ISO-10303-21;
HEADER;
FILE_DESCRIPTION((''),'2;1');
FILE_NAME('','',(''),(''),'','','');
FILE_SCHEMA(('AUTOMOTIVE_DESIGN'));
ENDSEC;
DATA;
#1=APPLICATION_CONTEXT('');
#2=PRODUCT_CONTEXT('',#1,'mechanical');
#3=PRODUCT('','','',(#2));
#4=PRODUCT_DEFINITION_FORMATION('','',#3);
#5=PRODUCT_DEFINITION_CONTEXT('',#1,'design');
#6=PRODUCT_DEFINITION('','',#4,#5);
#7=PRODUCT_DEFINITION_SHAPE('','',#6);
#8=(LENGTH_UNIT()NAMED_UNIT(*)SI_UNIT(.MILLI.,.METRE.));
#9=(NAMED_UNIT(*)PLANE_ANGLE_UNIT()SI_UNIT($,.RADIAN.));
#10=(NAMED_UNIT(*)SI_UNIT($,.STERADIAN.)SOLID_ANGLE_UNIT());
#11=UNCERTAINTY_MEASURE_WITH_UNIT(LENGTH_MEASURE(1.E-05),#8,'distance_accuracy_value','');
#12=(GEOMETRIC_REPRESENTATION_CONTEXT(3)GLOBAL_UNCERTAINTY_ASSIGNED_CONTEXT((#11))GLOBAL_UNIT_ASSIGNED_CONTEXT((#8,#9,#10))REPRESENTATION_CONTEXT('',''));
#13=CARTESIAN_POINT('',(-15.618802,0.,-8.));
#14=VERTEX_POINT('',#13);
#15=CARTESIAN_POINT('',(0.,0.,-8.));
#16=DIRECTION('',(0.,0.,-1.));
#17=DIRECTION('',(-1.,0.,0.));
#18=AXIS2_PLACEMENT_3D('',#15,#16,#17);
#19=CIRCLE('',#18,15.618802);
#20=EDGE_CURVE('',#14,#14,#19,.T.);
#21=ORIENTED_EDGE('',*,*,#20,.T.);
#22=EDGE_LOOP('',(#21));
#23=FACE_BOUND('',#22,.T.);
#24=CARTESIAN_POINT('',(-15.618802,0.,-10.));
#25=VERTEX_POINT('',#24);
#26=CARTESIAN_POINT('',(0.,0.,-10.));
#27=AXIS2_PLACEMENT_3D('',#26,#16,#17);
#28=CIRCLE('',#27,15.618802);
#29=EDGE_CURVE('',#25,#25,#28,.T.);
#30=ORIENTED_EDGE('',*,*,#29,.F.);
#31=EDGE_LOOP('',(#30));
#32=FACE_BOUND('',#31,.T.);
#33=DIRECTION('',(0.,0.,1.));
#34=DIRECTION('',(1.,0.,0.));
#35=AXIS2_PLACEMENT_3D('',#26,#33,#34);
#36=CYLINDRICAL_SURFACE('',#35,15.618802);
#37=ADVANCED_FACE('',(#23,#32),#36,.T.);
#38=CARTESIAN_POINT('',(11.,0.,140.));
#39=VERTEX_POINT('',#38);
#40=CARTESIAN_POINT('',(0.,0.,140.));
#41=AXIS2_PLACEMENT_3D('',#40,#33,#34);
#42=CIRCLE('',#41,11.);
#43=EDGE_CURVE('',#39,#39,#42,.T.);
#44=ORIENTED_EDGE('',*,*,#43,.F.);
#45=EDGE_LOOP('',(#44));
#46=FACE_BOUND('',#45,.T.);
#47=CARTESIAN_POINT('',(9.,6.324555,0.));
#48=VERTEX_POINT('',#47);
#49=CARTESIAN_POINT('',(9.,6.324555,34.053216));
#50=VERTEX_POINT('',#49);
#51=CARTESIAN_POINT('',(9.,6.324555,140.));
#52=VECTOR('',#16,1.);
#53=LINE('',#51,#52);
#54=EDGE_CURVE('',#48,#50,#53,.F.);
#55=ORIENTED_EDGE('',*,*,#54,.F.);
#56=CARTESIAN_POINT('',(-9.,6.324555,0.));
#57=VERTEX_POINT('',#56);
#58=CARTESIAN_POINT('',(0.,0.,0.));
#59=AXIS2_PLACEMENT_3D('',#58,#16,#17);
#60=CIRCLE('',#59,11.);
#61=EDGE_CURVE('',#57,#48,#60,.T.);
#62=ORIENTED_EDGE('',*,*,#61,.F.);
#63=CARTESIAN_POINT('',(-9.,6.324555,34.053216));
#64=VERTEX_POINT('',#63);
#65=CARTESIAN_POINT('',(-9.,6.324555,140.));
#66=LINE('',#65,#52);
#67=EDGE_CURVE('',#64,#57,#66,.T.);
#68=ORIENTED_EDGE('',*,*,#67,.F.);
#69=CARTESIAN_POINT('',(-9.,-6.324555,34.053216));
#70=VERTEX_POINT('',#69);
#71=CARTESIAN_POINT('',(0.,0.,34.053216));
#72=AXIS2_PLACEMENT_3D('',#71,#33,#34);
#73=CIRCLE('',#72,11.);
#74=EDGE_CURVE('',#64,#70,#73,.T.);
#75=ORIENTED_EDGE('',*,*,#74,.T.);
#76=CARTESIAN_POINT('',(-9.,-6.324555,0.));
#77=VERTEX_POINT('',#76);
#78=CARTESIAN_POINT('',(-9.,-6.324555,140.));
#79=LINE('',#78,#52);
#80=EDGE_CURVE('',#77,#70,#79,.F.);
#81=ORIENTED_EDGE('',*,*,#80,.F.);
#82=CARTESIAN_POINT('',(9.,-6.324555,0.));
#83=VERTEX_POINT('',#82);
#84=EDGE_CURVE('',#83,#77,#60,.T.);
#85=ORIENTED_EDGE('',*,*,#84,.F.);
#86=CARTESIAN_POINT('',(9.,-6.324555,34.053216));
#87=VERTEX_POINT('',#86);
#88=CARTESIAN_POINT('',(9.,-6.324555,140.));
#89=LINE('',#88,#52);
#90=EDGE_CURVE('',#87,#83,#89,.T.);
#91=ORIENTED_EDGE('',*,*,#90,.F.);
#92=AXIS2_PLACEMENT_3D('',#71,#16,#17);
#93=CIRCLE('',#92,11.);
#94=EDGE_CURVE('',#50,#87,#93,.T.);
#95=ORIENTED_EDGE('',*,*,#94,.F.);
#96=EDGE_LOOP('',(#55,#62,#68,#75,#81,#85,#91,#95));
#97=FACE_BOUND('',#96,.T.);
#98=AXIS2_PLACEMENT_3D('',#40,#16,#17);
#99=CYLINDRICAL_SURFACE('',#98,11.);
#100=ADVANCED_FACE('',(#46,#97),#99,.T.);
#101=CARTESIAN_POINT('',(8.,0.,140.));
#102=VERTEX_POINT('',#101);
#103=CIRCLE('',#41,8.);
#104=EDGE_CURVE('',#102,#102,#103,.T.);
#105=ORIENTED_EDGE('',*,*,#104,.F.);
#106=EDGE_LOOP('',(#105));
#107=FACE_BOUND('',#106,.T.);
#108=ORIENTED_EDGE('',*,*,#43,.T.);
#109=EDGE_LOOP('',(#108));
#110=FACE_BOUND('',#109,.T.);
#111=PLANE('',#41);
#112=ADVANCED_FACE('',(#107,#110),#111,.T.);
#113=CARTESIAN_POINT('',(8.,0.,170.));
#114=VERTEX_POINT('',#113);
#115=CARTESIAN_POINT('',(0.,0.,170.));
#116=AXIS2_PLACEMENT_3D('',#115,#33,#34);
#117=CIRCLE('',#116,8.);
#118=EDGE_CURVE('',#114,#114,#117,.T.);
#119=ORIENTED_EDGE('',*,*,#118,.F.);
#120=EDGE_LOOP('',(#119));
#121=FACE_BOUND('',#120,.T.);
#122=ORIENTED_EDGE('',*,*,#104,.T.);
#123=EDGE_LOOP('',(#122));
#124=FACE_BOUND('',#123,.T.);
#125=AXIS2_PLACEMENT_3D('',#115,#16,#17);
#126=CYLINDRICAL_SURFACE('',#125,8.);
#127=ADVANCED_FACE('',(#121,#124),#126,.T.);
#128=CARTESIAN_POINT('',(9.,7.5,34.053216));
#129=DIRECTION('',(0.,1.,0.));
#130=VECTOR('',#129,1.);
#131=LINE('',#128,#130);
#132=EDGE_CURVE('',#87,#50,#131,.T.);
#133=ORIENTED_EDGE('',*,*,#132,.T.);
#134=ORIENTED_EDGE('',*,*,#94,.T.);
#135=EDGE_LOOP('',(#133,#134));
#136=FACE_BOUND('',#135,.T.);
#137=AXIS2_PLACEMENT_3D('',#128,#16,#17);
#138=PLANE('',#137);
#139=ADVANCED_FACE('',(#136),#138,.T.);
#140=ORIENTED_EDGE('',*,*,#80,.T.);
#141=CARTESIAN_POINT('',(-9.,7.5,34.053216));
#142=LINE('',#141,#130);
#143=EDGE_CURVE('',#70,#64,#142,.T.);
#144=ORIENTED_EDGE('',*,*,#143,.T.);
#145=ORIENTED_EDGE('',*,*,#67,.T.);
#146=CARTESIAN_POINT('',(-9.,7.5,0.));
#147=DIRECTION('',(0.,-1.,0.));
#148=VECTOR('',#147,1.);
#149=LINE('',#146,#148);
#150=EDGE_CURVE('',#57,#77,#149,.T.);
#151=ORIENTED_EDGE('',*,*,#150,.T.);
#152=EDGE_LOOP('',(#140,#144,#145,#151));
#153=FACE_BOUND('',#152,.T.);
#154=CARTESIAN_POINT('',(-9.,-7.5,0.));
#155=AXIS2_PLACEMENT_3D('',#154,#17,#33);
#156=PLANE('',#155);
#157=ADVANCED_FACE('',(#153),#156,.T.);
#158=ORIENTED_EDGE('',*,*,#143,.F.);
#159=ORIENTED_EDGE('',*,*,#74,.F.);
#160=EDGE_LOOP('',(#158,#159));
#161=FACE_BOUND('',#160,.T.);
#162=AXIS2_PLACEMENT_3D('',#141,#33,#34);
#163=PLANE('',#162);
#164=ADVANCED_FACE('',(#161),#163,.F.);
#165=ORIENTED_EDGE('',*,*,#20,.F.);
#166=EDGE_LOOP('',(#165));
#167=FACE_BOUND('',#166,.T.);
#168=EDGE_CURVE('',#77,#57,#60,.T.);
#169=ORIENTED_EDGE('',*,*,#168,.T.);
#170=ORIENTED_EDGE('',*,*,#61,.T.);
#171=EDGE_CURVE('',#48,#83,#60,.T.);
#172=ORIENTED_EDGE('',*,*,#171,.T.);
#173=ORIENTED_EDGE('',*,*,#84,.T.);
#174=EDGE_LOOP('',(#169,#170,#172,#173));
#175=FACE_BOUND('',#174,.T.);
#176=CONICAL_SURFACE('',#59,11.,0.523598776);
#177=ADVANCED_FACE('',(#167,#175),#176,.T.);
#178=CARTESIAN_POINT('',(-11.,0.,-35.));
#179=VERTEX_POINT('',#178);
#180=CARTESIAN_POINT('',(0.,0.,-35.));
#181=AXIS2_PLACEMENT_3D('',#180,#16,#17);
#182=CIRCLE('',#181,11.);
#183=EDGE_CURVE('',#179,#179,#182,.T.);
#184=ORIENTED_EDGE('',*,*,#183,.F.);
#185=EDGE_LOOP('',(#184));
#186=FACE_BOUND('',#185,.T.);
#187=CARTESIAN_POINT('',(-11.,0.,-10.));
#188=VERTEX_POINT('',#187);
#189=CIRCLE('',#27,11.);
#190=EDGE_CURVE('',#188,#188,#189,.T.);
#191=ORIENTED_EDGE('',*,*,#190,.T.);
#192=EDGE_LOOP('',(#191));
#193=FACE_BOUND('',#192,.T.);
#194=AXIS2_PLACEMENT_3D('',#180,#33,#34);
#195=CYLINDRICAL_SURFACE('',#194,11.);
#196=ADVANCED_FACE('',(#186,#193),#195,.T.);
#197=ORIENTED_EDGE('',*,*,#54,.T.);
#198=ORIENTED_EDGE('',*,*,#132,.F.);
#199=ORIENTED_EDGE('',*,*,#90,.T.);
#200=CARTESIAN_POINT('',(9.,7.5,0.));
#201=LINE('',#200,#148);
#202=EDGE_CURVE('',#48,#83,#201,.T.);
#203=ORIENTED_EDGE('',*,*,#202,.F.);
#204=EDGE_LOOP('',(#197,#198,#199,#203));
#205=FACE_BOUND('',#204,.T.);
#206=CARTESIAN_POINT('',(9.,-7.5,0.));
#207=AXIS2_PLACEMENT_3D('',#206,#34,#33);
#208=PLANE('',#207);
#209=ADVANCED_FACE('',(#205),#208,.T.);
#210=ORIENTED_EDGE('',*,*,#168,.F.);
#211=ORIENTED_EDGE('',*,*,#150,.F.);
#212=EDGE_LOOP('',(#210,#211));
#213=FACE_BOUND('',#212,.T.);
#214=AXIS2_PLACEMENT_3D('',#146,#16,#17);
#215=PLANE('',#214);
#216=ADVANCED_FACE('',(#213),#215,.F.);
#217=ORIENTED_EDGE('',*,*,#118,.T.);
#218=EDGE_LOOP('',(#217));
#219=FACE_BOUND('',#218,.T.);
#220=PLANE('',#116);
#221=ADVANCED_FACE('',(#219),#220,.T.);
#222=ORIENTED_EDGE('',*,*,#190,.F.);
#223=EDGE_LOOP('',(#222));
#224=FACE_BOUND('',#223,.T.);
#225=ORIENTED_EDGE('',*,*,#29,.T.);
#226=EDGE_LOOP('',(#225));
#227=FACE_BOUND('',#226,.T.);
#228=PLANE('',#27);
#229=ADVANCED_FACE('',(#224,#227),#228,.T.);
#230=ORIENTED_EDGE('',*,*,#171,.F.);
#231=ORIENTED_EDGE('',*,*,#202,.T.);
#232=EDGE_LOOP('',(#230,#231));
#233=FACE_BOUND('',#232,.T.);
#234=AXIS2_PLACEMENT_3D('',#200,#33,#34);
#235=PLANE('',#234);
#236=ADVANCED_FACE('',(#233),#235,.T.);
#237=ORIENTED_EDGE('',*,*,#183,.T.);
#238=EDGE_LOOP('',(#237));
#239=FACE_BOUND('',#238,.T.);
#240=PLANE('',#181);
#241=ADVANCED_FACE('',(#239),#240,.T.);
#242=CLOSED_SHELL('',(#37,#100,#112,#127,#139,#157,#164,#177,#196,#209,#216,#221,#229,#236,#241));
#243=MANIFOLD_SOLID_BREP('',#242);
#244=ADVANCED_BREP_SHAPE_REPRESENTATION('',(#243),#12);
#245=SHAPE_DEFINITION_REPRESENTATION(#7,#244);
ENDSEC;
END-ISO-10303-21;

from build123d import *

# Parameters (mm, degrees)
SKETCH1_R           = 11
BOSS_EXTRUDE1_DEPTH = 140
SKETCH2_R           = 8
BOSS_EXTRUDE2_DEPTH = 30
SKETCH3_R           = 11
BOSS_EXTRUDE3_DEPTH = 8
BOSS_EXTRUDE3_DRAFT = -30
SKETCH4_R           = 15.618802154
BOSS_EXTRUDE4_DEPTH = 2
SKETCH5_W           = 34.053216137
SKETCH5_H           = 15
CUT_EXTRUDE1_DEPTH  = 2
BOSS_EXTRUDE5_START = 25
SKETCH6_R           = 11
BOSS_EXTRUDE5_DEPTH = 25


with BuildPart() as part:
    # Sketch1 → Boss-Extrude1 (new body)
    with BuildSketch(Plane.XY):
        Circle(SKETCH1_R)
    extrude(amount=BOSS_EXTRUDE1_DEPTH)

    # Sketch2 → Boss-Extrude2 (add)
    with BuildSketch(Plane.XY.offset(140)):
        Circle(SKETCH2_R)
    extrude(amount=BOSS_EXTRUDE2_DEPTH)


with BuildPart() as boss_extrude3_tool:
    # Sketch3 → Boss-Extrude3 (with draft: the straight prism first)
    with BuildSketch(Plane(origin=(0, 0, 0), x_dir=(-1, 0, 0), z_dir=(0, 0, -1))):
        Circle(SKETCH3_R)
    extrude(amount=BOSS_EXTRUDE3_DEPTH)
    # Boss-Extrude3: the draft: its side faces are tilted about the plane it starts from
    boss_extrude3_sides = [boss_extrude3_tool.faces().sort_by_distance(p)[0] for p in [
        (11, 0, -4),
    ]]
    draft(boss_extrude3_sides, Plane(origin=(0, 0, 0), x_dir=(-1, 0, 0), z_dir=(0, 0, -1)), BOSS_EXTRUDE3_DRAFT)


with BuildPart() as part_1:
    add(part.part)

    # Boss-Extrude3: add boss_extrude3_tool
    add(boss_extrude3_tool.part)

    # Sketch4 → Boss-Extrude4 (add)
    with BuildSketch(Plane(origin=(0, 0, -8), x_dir=(-1, 0, 0), z_dir=(0, 0, -1))):
        Circle(SKETCH4_R)
    extrude(amount=BOSS_EXTRUDE4_DEPTH)

    # Sketch5 → Cut-Extrude1 (cut)
    with BuildSketch(Plane.ZY.offset(11)):
        with Locations((17.026608068, 0)):
            Rectangle(SKETCH5_W, SKETCH5_H)
    cut_extrude1 = extrude(amount=-CUT_EXTRUDE1_DEPTH, mode=Mode.SUBTRACT)

    # Mirror1: Cut-Extrude1 across plane
    add(cut_extrude1.mirror(Plane(origin=(0, 0, 0), x_dir=(0, 0, 1), z_dir=(1, 0, 0))), mode=Mode.SUBTRACT)

    # Sketch6 → Boss-Extrude5 (add)
    with BuildSketch(Plane(origin=(0, 0, -10), x_dir=(-1, 0, 0), z_dir=(0, 0, -1)).offset(BOSS_EXTRUDE5_START)):
        with Locations(Location((0, 0, 0), (0, 0, 35.096801228))):
            Circle(SKETCH6_R)
    extrude(amount=-BOSS_EXTRUDE5_DEPTH)


solid = part_1.part
